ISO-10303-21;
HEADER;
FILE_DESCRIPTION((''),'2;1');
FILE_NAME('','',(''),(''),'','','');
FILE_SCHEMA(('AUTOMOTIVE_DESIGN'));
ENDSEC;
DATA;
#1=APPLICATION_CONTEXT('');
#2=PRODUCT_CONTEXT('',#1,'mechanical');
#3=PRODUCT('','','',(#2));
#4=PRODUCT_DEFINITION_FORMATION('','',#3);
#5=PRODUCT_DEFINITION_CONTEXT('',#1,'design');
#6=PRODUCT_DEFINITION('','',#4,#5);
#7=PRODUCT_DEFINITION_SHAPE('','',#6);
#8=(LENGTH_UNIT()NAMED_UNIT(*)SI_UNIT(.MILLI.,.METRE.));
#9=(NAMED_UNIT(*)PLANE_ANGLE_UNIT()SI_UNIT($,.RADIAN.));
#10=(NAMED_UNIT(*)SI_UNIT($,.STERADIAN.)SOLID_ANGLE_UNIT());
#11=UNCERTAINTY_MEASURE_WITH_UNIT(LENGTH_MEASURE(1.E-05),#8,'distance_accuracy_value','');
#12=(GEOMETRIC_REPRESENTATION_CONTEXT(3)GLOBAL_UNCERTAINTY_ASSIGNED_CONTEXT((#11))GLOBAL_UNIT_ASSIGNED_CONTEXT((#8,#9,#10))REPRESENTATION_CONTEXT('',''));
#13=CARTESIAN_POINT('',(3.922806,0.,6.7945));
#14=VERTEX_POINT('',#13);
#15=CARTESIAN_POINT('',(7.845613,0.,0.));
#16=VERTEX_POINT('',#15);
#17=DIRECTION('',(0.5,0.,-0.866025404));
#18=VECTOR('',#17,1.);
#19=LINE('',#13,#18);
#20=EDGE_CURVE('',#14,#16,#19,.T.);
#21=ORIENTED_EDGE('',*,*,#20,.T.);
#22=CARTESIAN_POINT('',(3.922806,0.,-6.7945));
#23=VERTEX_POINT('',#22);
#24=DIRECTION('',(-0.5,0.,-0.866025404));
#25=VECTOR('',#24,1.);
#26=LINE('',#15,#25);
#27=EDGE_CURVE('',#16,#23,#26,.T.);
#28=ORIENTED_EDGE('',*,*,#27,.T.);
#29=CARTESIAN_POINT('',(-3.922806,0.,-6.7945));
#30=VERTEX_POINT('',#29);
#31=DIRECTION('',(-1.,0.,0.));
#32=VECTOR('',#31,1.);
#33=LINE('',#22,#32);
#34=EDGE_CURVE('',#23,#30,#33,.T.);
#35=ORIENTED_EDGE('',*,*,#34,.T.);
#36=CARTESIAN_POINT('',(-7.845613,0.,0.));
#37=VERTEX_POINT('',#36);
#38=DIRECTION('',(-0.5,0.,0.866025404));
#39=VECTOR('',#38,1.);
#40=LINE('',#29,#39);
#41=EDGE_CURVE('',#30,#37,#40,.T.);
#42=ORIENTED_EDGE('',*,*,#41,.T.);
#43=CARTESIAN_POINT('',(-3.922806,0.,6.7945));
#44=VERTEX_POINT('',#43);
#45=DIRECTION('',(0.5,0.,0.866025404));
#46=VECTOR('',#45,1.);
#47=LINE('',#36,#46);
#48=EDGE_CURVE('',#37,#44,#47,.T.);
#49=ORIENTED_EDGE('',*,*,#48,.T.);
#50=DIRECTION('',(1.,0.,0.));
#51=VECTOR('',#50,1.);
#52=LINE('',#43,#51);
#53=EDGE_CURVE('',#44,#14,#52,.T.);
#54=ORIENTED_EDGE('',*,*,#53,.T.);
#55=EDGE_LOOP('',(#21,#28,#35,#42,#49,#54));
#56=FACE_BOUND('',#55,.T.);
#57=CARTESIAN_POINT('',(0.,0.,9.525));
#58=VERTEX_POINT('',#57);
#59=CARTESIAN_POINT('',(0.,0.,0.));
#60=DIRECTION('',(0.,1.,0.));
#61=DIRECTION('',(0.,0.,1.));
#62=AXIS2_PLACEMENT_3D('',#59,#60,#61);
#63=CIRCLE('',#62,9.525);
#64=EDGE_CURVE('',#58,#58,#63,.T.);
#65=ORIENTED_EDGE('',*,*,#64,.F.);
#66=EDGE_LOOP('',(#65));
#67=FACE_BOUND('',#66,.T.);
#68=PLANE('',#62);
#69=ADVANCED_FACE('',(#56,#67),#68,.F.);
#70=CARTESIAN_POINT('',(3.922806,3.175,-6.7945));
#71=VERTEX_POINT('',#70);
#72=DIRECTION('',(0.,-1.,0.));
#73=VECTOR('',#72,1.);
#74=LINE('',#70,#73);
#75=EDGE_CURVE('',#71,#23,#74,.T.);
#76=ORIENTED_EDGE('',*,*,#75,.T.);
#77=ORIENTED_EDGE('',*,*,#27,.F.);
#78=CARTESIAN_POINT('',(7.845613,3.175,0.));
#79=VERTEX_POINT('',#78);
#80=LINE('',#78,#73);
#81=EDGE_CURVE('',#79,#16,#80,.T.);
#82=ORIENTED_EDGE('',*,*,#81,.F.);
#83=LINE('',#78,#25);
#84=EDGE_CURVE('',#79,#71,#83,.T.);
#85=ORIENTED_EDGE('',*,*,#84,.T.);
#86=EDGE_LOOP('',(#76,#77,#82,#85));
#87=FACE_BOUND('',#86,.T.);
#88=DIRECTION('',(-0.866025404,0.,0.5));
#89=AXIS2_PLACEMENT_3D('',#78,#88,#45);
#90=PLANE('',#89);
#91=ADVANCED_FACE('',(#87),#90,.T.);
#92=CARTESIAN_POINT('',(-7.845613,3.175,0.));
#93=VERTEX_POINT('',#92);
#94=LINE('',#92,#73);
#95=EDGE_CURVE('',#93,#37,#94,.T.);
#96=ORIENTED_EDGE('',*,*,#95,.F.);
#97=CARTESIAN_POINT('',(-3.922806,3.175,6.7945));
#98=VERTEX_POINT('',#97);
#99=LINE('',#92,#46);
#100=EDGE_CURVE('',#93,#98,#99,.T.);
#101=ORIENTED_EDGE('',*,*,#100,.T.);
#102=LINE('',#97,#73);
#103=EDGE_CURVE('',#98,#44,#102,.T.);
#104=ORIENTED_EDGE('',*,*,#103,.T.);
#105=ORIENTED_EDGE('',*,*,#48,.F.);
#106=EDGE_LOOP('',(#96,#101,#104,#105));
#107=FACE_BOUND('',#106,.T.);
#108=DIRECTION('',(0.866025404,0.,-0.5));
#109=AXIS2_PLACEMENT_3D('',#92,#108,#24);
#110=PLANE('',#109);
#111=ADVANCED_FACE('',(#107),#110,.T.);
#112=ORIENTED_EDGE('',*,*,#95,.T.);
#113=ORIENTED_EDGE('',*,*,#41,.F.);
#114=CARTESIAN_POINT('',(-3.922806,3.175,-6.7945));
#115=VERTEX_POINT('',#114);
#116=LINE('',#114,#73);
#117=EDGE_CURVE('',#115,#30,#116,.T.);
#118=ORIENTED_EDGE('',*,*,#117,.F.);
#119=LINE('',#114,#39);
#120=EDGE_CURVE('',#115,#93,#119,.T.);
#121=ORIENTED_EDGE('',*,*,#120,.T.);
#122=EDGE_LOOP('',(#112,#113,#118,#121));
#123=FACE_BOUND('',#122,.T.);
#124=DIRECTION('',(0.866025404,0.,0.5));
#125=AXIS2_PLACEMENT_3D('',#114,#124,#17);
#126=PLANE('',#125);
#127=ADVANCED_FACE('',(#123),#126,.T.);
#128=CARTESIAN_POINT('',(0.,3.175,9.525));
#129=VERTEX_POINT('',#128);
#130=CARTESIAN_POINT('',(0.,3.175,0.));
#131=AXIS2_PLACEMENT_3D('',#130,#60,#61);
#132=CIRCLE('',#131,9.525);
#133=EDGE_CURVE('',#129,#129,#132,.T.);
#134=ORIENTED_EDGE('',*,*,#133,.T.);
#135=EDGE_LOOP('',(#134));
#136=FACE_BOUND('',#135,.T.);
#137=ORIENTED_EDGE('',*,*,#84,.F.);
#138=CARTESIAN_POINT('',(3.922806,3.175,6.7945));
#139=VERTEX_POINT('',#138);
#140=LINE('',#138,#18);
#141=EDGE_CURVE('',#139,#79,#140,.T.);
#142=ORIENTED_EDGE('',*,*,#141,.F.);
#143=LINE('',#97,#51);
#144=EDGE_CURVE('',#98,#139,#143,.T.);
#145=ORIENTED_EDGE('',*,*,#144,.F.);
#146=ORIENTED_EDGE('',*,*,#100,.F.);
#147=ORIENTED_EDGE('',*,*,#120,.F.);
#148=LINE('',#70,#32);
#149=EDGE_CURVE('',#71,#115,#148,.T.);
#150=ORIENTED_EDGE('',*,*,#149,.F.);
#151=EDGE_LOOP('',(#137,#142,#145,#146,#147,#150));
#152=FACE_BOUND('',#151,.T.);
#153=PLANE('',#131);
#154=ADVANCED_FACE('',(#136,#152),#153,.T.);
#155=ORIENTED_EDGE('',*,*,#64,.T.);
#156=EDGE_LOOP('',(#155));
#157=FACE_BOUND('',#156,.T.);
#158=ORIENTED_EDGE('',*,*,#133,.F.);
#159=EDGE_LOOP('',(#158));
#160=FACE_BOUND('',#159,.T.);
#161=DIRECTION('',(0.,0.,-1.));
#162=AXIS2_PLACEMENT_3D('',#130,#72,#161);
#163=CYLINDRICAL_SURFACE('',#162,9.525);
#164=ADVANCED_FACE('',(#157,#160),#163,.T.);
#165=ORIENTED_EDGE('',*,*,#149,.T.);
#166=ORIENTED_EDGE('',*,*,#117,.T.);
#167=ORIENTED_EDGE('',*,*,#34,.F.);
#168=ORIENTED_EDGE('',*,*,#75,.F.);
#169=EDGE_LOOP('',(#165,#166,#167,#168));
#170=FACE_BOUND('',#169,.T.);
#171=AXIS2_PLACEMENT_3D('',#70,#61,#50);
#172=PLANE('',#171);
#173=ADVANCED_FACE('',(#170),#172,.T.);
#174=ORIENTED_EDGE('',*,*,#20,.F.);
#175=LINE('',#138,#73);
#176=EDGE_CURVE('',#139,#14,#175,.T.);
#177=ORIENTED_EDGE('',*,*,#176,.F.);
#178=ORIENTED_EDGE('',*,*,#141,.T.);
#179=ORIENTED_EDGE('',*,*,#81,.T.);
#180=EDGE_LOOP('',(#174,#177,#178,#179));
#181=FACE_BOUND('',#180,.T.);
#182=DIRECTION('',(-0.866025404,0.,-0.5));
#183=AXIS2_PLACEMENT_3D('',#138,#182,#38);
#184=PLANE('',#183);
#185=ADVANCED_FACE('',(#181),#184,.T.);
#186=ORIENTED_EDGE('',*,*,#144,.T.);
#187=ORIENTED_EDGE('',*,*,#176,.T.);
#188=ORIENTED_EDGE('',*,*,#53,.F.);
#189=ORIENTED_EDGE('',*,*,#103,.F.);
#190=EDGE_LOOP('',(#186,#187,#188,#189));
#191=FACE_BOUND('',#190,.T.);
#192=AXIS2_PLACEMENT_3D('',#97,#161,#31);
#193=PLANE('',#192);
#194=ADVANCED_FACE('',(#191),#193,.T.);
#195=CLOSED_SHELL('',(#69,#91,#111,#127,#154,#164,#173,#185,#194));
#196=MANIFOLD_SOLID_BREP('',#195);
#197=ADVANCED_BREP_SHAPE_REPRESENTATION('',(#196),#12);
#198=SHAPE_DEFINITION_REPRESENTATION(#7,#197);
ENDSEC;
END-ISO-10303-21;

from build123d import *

# Parameters (mm, degrees)
SKETCH1_R           = 9.525
BOSS_EXTRUDE1_DEPTH = 3.175


with BuildPart() as part:
    # Sketch1 → Boss-Extrude1 (new body)
    with BuildSketch(Plane(origin=(0, 0, 0), x_dir=(1, 0, 0), z_dir=(0, 1, 0))):
        Circle(SKETCH1_R)
        Polygon((3.922806404, -6.7945), (7.845612808, 0), (3.922806404, 6.7945), (-3.922806404, 6.7945), (-7.845612808, 0), (-3.922806404, -6.7945), align=None, mode=Mode.SUBTRACT)
    extrude(amount=BOSS_EXTRUDE1_DEPTH)


solid = part.part
